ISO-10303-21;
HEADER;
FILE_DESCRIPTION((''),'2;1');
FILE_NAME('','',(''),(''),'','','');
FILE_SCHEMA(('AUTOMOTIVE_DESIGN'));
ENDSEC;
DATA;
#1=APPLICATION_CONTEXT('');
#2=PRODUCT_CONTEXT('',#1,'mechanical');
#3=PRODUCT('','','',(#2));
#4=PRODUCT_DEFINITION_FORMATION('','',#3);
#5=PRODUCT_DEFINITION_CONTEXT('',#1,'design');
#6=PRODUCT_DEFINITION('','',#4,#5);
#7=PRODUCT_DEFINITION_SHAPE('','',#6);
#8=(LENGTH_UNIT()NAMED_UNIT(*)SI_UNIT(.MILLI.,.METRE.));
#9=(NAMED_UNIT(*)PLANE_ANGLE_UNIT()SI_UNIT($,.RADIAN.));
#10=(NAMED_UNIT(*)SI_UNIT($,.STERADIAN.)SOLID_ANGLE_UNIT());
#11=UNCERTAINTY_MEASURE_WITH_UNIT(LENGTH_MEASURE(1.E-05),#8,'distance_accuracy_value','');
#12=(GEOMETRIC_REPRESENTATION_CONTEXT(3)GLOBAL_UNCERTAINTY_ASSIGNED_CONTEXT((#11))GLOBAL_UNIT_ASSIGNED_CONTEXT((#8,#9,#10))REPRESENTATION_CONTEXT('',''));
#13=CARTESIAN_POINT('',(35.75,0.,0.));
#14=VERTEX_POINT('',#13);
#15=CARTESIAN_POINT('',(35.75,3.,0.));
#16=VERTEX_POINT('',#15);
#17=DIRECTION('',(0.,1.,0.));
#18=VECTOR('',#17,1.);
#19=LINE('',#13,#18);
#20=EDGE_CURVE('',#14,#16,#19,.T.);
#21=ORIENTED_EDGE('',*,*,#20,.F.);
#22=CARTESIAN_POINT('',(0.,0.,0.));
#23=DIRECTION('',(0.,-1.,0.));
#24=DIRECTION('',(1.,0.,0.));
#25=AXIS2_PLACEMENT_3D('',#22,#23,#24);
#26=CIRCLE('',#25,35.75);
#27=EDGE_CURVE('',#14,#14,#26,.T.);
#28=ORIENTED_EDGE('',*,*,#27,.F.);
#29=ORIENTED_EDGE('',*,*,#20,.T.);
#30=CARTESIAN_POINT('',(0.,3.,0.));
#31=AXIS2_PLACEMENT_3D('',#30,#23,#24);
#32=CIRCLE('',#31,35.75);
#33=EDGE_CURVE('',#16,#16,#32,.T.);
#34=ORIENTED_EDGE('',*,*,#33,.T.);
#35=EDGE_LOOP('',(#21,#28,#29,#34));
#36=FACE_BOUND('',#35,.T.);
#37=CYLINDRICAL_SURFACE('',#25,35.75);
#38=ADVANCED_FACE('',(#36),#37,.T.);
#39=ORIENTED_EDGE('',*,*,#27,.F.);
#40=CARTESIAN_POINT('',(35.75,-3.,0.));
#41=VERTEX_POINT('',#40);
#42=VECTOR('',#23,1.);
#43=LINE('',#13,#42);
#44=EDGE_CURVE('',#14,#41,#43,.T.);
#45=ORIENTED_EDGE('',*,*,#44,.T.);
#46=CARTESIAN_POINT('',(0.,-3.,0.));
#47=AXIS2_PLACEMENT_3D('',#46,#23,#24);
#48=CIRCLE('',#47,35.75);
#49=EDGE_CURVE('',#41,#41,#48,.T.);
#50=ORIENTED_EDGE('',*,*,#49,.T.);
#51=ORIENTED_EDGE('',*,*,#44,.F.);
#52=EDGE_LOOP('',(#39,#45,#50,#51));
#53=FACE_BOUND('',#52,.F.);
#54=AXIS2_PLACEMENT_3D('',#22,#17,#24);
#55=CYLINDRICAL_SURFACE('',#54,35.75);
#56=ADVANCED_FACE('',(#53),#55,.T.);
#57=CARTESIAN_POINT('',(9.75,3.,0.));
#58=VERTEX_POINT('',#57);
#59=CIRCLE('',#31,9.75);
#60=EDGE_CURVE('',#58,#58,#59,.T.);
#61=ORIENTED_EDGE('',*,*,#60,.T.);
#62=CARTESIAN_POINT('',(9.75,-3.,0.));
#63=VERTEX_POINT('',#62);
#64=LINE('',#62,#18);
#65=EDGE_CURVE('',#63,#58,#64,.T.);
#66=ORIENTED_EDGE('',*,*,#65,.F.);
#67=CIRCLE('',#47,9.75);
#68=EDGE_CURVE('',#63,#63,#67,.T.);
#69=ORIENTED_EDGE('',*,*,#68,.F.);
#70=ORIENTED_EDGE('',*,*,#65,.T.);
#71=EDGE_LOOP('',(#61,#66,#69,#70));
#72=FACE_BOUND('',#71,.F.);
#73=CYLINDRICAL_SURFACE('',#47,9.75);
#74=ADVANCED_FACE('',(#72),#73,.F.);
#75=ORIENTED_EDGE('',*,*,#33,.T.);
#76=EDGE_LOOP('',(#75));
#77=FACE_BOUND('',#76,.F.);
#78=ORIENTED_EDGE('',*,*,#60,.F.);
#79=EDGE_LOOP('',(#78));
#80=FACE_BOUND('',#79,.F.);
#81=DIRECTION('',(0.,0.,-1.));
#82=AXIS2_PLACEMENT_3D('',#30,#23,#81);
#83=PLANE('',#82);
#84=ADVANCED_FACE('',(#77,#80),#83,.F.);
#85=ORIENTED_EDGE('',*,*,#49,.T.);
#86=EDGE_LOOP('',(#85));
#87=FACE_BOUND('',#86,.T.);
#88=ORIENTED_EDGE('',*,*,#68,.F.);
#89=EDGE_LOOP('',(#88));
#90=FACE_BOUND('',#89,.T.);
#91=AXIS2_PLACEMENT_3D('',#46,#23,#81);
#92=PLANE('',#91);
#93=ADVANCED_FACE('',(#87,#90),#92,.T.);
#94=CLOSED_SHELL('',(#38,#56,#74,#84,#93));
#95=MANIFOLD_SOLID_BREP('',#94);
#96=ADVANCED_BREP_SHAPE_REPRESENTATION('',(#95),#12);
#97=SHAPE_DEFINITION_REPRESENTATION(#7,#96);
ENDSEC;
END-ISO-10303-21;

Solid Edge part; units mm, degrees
sketch "Sketch1" plane through (0, 0, 0) normal (0, -1, 0) x (1, 0, 0)
  circle A0 centre (0, 0) radius 35.75
extrude "Protrusion1" add sketch "Sketch1" along normal mid plane 6
sketch "Sketch2" plane through (0, -3, 0) normal (0, -1, 0) x (1, 0, 0)
  circle A0 centre (0, 0) radius 9.75
extrude "Ausschnitt_1" cut sketch "Sketch2" against normal blind 62.509
